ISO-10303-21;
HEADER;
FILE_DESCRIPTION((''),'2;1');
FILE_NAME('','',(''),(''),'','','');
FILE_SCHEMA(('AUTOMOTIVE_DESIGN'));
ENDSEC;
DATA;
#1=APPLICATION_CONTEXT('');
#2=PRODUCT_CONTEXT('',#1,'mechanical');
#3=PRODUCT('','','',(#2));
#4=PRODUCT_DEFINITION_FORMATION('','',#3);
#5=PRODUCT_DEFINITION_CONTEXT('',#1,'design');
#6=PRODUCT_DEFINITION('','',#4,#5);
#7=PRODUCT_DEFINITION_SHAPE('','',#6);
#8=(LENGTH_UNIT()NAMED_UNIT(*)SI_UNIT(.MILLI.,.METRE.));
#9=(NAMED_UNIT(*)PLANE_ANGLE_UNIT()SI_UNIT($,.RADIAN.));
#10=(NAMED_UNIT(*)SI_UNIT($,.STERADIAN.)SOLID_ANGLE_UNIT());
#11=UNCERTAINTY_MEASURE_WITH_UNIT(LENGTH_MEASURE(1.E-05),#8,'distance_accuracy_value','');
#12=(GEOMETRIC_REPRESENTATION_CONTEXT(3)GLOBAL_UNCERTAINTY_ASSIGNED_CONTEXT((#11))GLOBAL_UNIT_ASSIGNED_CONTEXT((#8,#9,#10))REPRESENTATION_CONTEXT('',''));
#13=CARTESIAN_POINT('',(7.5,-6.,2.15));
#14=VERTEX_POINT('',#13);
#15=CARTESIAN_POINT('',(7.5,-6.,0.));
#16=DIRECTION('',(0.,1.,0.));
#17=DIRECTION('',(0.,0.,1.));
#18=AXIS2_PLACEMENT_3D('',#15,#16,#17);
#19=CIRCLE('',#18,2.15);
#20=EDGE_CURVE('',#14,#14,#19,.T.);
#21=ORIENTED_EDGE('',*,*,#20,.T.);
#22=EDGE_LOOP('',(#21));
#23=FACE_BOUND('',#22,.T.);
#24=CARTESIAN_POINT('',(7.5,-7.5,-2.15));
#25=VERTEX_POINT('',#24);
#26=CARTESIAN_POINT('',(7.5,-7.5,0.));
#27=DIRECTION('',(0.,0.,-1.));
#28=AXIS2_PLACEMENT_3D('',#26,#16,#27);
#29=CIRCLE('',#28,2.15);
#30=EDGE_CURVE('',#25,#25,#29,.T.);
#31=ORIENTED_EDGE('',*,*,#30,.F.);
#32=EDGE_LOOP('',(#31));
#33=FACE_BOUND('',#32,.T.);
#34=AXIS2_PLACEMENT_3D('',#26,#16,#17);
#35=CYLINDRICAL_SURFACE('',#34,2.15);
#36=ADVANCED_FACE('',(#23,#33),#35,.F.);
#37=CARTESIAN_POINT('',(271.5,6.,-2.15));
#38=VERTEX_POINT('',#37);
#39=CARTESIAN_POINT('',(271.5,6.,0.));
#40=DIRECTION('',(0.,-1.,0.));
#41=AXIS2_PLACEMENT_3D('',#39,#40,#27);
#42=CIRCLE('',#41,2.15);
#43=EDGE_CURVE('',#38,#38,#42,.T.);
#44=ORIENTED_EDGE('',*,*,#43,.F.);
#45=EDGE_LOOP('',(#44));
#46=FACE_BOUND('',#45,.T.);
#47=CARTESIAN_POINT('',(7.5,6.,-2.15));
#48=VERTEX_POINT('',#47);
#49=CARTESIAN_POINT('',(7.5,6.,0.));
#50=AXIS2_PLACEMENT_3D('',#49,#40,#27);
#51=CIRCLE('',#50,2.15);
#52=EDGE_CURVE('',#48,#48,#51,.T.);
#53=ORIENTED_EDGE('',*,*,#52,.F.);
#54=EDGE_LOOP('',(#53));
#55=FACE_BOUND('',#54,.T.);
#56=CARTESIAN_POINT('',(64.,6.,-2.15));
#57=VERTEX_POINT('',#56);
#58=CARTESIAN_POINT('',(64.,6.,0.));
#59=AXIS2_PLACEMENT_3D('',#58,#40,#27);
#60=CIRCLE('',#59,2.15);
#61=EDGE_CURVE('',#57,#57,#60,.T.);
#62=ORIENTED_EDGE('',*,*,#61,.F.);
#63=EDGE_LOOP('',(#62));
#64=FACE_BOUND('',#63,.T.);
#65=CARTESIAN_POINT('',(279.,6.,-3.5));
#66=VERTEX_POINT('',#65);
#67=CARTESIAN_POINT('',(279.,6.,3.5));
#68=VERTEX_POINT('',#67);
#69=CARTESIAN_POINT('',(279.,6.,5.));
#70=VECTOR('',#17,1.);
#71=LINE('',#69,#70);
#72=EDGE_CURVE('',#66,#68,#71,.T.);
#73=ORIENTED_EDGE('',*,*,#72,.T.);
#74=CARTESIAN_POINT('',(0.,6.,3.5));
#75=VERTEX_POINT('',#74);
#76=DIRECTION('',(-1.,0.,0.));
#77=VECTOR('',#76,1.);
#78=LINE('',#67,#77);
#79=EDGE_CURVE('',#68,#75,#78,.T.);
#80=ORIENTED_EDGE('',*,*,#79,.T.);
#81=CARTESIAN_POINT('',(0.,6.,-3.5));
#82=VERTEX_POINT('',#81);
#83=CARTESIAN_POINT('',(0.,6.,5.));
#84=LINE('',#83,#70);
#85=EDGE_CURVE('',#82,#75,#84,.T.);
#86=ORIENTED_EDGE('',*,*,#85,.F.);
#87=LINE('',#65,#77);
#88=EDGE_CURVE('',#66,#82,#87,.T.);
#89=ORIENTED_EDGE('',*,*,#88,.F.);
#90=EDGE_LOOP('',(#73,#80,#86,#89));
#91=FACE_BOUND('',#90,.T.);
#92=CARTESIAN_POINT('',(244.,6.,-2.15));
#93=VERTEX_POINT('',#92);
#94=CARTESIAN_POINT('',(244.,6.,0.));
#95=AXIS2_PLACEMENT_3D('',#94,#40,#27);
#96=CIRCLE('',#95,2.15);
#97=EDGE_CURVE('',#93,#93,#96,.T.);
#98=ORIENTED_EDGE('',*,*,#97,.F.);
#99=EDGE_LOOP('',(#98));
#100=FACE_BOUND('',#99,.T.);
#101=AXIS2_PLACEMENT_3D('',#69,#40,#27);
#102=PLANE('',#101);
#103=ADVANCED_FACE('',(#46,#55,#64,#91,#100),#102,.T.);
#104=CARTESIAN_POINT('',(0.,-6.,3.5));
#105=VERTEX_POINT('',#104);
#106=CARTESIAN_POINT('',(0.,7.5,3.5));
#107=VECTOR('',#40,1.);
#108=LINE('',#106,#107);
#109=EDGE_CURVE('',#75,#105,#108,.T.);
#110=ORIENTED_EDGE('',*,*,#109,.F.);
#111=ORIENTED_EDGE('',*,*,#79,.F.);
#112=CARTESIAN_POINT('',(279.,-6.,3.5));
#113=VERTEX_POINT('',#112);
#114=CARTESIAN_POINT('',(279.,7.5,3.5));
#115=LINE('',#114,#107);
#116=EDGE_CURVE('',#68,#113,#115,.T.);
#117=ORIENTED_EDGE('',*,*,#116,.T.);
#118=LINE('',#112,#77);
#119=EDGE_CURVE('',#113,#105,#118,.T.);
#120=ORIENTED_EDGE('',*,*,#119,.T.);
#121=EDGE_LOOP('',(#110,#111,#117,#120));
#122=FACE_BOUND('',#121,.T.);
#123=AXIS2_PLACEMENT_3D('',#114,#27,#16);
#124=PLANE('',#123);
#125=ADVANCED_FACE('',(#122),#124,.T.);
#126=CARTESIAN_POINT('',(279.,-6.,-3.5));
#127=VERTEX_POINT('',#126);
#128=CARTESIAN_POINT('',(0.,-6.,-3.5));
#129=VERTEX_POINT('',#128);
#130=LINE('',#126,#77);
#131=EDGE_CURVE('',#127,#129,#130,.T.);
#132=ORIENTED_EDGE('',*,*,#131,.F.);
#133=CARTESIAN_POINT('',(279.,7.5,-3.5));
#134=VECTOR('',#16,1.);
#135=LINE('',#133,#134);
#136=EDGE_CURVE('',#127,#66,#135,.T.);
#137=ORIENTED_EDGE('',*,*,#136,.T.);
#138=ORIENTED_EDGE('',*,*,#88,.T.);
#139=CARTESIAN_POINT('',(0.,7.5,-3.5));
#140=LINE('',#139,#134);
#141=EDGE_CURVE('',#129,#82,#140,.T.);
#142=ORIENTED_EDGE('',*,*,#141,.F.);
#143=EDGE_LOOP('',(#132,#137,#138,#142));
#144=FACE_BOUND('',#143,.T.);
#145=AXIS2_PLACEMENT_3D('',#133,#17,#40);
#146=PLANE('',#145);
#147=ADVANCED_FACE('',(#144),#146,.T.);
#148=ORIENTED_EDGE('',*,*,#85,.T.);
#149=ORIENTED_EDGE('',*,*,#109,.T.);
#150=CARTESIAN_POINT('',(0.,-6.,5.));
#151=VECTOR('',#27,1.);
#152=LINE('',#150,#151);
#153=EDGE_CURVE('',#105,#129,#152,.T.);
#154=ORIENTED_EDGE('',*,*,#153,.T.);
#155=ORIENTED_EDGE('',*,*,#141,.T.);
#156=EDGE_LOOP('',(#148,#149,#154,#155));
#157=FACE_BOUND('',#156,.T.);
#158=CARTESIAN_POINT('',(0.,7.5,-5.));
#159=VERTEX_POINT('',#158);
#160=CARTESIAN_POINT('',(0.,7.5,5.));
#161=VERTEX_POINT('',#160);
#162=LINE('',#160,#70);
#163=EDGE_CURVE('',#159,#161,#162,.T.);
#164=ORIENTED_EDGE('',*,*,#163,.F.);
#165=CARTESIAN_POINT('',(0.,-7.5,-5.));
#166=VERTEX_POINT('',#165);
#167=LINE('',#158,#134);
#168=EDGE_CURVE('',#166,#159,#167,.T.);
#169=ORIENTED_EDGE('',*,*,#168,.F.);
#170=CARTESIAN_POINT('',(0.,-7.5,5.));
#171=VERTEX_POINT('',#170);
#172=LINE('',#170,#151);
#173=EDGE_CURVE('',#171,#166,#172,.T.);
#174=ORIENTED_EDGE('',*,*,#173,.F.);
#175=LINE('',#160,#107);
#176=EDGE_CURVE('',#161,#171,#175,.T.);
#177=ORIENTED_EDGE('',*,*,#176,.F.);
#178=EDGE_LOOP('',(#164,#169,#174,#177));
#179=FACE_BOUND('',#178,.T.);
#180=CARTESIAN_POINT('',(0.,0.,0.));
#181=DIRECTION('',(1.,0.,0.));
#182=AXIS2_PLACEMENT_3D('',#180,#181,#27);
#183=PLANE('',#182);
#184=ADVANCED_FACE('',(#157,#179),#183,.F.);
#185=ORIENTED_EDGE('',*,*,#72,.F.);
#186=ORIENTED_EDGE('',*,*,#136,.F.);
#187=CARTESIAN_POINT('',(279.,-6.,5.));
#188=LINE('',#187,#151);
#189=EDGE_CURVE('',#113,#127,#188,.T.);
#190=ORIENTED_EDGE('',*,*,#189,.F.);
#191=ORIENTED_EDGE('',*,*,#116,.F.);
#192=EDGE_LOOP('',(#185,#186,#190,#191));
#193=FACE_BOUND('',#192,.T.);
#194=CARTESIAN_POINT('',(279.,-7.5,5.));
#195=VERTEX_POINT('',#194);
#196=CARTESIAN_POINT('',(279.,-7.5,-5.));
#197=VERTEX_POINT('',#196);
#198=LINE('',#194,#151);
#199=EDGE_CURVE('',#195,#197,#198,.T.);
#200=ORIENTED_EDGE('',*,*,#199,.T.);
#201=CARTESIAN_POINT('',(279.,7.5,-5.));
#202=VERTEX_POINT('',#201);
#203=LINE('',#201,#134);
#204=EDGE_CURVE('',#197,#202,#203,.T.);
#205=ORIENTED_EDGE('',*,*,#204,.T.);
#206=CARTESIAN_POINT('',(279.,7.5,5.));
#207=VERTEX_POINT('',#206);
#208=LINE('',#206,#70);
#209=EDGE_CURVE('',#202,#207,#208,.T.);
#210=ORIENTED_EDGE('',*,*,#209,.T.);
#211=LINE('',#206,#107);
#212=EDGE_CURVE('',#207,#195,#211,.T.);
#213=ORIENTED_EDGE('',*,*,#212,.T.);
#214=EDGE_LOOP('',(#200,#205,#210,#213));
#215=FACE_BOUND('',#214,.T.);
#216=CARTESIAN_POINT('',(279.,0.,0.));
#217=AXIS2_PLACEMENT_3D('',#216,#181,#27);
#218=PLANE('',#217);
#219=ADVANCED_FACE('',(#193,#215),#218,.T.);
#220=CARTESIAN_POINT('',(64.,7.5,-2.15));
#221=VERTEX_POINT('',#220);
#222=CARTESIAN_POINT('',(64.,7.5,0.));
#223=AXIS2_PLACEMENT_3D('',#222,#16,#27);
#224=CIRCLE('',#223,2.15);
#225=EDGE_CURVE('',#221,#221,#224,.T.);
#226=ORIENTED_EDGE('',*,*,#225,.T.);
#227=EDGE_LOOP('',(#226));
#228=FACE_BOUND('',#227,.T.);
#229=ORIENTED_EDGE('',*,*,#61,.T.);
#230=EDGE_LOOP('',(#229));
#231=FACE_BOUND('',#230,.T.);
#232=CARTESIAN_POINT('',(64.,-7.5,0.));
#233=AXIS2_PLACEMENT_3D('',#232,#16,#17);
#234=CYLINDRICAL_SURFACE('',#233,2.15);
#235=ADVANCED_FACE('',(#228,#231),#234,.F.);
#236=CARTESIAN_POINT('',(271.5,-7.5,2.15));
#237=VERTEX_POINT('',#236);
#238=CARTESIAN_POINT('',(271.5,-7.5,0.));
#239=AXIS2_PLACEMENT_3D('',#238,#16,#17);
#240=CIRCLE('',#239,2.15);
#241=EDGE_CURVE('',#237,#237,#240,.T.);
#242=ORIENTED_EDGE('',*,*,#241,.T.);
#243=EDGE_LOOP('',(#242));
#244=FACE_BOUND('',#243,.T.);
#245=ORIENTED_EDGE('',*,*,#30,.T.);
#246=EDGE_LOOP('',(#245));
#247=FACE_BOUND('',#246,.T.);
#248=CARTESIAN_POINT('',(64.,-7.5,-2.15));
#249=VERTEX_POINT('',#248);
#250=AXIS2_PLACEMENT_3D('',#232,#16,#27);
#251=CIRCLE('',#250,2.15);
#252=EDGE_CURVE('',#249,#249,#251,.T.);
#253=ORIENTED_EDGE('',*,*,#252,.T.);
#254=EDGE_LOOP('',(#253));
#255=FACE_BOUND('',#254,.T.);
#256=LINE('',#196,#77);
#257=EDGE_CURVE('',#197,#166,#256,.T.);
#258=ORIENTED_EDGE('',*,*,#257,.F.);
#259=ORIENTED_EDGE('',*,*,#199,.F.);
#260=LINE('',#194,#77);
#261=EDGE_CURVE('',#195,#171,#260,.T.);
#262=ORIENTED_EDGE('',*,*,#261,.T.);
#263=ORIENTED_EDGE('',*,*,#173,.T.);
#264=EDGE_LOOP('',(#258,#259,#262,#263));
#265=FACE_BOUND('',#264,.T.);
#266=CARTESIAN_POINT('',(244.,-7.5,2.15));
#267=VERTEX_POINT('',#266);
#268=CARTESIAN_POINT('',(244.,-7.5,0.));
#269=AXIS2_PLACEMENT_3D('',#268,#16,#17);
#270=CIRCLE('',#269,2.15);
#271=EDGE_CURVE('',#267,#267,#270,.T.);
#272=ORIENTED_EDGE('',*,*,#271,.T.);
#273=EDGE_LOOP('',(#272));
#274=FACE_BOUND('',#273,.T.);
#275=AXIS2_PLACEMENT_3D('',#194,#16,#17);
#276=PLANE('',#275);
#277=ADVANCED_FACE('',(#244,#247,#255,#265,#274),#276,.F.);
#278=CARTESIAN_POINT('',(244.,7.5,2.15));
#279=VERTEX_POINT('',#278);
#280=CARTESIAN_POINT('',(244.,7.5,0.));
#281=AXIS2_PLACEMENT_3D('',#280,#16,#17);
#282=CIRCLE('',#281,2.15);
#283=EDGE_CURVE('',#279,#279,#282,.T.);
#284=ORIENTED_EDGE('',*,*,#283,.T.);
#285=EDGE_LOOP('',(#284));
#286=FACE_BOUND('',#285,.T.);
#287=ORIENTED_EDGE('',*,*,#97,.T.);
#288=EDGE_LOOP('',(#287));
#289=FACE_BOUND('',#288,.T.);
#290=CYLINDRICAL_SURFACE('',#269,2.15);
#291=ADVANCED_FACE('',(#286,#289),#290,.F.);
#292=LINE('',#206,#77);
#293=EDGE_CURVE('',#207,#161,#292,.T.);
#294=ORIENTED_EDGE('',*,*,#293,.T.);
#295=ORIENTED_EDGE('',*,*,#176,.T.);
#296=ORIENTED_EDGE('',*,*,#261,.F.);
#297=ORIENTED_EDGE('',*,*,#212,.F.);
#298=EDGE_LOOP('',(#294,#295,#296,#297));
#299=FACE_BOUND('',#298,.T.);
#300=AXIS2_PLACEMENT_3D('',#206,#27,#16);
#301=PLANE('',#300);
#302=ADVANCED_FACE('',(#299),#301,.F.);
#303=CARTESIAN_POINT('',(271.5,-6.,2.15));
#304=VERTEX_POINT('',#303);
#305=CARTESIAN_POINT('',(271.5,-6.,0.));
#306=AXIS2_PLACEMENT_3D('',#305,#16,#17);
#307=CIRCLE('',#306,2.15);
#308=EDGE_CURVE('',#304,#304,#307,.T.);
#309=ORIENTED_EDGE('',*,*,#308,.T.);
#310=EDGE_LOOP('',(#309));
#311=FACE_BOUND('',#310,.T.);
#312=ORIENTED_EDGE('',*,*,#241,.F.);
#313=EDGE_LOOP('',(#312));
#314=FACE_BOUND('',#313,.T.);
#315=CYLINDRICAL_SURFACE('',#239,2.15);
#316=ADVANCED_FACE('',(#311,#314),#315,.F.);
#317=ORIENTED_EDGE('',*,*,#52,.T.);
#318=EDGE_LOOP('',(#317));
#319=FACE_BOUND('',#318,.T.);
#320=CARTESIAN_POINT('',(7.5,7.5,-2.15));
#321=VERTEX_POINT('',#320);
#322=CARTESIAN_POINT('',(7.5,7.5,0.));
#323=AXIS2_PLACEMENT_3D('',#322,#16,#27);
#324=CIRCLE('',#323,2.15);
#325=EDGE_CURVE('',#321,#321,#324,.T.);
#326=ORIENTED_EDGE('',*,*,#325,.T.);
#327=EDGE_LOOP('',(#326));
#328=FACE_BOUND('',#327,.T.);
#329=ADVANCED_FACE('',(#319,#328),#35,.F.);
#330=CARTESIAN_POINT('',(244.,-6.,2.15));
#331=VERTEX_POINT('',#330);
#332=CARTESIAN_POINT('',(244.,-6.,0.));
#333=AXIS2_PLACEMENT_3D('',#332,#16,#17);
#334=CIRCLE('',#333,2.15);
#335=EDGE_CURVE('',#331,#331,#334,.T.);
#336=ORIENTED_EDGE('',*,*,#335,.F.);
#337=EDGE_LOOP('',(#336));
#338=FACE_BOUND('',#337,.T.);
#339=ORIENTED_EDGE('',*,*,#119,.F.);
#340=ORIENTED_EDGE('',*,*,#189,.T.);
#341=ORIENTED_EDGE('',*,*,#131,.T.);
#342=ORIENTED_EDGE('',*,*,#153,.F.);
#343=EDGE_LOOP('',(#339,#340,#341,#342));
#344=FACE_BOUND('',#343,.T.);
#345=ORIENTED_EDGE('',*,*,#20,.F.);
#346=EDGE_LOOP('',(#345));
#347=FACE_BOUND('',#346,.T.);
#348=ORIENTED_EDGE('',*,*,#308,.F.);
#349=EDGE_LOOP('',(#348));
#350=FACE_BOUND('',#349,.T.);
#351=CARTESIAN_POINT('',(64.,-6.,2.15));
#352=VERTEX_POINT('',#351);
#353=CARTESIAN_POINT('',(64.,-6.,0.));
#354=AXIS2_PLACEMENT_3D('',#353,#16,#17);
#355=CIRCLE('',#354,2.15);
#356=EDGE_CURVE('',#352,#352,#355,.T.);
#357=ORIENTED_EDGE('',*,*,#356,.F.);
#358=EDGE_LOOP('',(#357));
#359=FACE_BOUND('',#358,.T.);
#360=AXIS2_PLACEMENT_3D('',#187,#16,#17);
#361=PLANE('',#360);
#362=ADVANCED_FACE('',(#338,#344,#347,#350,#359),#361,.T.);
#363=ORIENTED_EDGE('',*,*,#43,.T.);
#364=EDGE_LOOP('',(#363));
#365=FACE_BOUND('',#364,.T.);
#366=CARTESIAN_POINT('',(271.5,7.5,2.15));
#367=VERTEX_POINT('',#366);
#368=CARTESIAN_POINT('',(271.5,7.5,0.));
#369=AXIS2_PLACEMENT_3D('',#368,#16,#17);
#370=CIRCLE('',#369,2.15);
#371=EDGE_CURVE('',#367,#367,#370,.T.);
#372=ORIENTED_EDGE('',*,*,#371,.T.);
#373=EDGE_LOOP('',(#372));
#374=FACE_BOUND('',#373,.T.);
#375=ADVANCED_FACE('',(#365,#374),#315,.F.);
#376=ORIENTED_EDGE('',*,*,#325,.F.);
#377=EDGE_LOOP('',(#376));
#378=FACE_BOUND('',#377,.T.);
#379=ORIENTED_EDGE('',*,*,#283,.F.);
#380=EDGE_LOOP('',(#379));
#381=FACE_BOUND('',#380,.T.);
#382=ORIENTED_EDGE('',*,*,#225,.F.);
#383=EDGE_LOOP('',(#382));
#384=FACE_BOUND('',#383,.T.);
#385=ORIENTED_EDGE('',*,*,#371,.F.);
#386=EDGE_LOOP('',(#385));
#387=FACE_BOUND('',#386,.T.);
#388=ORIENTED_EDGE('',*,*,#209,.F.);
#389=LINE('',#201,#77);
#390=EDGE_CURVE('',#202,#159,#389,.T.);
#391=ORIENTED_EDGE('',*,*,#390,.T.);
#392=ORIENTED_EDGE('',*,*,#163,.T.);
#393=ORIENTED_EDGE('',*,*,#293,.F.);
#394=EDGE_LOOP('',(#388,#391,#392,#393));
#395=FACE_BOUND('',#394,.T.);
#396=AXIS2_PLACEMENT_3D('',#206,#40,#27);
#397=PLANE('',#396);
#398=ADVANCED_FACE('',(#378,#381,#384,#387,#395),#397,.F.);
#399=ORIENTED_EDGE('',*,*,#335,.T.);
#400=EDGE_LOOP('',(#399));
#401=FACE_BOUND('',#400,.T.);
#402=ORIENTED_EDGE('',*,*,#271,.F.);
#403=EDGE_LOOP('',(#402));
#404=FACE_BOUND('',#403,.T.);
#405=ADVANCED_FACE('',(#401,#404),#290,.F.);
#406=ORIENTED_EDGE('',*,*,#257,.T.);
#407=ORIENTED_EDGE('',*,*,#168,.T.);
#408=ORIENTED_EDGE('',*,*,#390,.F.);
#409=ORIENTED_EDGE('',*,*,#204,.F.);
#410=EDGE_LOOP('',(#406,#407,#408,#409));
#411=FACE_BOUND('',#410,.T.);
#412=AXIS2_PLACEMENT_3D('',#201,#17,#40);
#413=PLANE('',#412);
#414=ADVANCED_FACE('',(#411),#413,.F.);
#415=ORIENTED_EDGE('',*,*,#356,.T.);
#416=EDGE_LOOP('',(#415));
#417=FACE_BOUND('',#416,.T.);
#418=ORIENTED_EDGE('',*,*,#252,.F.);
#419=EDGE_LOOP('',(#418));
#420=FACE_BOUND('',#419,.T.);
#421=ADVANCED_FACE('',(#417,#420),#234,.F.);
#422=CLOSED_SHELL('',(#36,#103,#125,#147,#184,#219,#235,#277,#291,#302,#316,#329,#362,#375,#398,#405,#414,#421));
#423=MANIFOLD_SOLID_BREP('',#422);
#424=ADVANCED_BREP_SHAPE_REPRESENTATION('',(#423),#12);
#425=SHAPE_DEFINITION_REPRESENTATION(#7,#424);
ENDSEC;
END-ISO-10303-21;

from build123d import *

# Parameters (mm, degrees)
SKETCH_1_W          = 10
SKETCH_1_H          = 15
SKETCH_1_W_2        = 7
SKETCH_1_H_2        = 12
EXTRUDE_1_DEPTH     = 279
SKETCH_2_R          = 2.15
CUT_EXTRUDE_1_DEPTH = 280.44766952


with BuildPart() as part:
    # ｽｹｯﾁ1 → 押し出し-薄板1 (new body)
    with BuildSketch(Plane(origin=(0, 0, 0), x_dir=(0, 0, -1), z_dir=(1, 0, 0))):
        Rectangle(SKETCH_1_W, SKETCH_1_H)
        Rectangle(SKETCH_1_W_2, SKETCH_1_H_2, mode=Mode.SUBTRACT)
    extrude(amount=EXTRUDE_1_DEPTH)

    # ｽｹｯﾁ2 → ｶｯﾄ - 押し出し1 (cut, through all)
    with BuildSketch(Plane(origin=(0, 7.5, 0), x_dir=(1, 0, 0), z_dir=(0, 1, 0))):
        with Locations(Location((271.5, 0, 0), (0, 0, 270))):
            Circle(SKETCH_2_R)
        with Locations(Location((7.5, 0, 0), (0, 0, 270))):
            Circle(SKETCH_2_R)
        with Locations(Location((64, 0, 0), (0, 0, 270))):
            Circle(SKETCH_2_R)
        with Locations(Location((244, 0, 0), (0, 0, 270))):
            Circle(SKETCH_2_R)
    extrude(amount=-CUT_EXTRUDE_1_DEPTH, mode=Mode.SUBTRACT)


solid = part.part
